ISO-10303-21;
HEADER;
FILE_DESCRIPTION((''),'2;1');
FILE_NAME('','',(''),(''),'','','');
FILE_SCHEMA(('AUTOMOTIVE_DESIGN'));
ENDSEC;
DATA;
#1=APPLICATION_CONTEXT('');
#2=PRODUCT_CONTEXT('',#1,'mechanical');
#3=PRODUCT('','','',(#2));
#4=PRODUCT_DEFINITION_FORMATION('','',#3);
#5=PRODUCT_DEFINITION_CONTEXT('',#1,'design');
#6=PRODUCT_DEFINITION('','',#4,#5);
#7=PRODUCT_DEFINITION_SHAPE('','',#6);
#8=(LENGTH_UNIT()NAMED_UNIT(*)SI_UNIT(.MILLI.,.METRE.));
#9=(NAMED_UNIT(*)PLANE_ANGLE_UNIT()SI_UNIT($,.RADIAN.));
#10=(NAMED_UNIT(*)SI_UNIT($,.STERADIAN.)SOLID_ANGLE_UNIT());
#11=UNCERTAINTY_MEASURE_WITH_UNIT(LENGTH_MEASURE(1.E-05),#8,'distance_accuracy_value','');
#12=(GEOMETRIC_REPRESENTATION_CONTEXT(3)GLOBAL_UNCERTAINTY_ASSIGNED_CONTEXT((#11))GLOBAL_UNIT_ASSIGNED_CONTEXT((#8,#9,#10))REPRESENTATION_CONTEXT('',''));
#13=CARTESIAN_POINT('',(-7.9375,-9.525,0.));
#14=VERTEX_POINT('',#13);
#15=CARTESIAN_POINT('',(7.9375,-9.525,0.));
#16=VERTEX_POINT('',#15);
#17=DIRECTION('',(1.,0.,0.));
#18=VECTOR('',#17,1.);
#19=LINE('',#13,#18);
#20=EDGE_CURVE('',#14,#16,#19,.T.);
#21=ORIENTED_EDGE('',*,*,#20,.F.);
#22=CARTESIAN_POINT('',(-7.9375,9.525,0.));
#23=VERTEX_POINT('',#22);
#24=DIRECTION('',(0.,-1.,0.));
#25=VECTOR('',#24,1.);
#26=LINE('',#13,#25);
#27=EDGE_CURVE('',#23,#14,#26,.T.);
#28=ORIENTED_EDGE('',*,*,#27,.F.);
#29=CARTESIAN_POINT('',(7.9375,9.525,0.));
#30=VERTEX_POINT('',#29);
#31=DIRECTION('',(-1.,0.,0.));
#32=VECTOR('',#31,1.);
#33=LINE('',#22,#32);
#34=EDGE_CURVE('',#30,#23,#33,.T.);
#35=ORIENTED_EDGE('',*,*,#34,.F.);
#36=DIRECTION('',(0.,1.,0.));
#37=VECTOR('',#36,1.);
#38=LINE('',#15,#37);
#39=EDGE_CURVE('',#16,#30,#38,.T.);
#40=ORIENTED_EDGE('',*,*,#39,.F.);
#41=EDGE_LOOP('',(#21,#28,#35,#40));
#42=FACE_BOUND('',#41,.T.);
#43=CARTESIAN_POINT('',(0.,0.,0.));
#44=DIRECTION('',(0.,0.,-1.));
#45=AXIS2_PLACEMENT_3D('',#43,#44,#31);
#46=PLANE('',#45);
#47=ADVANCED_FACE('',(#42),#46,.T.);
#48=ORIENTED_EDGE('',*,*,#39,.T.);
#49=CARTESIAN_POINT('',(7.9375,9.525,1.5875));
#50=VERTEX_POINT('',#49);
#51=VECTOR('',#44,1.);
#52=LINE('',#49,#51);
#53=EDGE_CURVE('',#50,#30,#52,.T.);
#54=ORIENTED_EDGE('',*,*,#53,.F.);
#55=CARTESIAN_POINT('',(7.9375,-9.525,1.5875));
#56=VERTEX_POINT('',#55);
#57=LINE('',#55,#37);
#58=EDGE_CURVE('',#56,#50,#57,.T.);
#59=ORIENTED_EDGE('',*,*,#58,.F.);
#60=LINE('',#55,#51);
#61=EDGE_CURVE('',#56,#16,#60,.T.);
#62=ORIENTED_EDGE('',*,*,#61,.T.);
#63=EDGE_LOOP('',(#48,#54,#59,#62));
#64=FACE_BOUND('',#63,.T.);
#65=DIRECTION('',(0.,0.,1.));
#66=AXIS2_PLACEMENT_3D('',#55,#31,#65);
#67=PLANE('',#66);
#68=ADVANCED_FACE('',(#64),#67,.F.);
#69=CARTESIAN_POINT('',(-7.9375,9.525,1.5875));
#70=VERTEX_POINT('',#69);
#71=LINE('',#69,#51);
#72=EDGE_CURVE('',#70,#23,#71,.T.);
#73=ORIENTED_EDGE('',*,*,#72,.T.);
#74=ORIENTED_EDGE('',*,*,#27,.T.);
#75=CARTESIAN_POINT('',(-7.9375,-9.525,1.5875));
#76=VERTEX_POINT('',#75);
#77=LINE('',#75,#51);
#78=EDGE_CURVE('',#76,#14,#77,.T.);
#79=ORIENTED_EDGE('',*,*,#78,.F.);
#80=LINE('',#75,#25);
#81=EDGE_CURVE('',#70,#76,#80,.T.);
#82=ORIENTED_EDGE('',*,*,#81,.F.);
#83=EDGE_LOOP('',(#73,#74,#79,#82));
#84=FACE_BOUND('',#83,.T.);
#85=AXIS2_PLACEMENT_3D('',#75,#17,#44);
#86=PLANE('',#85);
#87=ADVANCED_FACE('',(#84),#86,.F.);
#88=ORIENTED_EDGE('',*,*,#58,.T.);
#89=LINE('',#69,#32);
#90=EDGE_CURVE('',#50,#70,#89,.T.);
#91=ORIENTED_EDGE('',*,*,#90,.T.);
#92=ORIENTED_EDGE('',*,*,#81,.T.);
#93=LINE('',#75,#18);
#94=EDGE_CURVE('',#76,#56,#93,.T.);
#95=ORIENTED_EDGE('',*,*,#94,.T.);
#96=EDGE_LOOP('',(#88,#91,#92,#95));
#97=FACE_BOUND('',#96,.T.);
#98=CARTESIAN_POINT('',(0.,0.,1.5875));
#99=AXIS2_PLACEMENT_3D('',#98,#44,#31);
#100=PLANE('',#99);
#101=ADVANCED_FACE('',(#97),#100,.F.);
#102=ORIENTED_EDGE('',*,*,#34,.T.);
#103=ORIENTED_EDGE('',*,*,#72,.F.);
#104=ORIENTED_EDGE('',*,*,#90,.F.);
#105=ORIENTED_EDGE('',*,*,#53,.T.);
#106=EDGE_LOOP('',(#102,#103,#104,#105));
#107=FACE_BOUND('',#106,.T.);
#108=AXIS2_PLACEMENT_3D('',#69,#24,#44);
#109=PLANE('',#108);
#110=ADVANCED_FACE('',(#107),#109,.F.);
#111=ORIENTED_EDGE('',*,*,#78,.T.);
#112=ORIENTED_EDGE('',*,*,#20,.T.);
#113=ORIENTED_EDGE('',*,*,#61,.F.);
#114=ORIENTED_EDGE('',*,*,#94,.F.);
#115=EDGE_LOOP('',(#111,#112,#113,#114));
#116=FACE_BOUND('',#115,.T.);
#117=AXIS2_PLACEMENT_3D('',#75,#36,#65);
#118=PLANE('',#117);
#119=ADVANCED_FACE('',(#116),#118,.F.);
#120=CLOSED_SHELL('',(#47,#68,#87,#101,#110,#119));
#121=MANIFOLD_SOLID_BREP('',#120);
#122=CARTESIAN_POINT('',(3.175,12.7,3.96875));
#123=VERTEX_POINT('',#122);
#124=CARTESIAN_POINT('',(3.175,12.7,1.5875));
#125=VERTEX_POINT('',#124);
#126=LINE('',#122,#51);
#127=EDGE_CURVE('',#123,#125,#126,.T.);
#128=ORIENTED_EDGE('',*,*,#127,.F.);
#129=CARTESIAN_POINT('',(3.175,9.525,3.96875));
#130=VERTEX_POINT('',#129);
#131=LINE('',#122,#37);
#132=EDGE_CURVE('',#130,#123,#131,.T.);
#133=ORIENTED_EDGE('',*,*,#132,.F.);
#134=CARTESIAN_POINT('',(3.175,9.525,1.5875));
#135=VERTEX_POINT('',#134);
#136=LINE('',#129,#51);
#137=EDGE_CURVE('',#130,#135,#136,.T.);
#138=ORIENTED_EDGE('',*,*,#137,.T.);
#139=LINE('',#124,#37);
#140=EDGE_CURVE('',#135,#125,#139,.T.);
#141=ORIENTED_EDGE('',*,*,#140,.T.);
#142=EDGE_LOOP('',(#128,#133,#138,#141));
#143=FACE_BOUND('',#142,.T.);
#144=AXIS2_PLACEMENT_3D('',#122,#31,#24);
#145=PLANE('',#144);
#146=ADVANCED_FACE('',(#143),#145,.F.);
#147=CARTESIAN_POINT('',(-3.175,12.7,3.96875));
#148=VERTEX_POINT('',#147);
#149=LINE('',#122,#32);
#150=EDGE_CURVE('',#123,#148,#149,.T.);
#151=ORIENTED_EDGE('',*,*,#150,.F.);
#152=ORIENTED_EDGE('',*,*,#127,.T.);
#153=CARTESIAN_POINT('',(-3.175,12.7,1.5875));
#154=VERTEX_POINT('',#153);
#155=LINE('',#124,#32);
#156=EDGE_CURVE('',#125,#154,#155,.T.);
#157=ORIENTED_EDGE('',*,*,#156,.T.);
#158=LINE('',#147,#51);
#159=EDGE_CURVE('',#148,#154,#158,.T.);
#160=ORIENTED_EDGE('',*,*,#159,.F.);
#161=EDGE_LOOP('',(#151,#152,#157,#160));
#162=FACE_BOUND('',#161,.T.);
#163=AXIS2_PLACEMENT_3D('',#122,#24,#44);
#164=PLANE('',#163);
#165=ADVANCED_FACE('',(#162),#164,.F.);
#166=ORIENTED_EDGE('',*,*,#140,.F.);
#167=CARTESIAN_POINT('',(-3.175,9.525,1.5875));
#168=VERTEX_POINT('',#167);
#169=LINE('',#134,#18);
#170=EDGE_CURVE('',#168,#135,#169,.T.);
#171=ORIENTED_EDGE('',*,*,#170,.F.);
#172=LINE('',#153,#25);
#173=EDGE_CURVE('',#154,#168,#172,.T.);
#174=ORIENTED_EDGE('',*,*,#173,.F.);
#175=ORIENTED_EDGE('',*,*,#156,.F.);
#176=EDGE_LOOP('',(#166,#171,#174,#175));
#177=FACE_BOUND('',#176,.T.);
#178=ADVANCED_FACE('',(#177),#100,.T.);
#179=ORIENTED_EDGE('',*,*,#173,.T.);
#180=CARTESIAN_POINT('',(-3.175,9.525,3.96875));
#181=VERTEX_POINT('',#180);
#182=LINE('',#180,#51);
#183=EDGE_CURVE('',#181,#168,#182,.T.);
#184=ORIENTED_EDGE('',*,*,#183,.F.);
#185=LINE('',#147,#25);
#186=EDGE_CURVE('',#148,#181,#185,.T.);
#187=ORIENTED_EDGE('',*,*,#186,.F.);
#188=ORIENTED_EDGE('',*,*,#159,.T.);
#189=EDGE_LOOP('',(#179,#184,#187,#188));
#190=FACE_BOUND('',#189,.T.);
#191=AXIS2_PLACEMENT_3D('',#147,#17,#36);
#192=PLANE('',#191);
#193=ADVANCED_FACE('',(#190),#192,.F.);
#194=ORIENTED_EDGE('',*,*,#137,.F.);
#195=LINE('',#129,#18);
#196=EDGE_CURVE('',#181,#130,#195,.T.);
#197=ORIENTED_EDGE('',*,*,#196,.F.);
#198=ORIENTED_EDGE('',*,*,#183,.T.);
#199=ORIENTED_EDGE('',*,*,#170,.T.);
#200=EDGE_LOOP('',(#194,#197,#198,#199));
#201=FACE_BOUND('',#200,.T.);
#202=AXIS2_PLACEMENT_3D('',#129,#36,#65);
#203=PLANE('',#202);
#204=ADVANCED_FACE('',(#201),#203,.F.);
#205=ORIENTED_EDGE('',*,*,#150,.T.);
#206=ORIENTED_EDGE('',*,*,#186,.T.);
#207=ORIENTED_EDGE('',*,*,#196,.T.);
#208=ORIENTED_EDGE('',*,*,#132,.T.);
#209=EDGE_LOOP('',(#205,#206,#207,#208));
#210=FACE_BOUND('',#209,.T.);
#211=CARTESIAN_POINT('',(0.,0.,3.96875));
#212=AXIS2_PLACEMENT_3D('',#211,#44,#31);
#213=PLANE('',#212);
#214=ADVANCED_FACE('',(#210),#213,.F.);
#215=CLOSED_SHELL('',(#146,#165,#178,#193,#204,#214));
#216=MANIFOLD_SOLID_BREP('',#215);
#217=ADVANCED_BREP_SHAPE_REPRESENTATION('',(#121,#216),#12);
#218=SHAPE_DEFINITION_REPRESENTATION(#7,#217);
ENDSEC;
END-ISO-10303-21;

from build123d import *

# Parameters (mm, degrees)
SKETCH1_W           = 15.875
SKETCH1_H           = 19.05
BOSS_EXTRUDE1_DEPTH = 1.5875
SKETCH3_W           = 6.35
SKETCH3_H           = 3.175
BOSS_EXTRUDE3_DEPTH = 2.38125


with BuildPart() as part:
    # Sketch1 → Boss-Extrude1 (new body)
    with BuildSketch(Plane.XY):
        Rectangle(SKETCH1_W, SKETCH1_H)
    extrude(amount=BOSS_EXTRUDE1_DEPTH)


with BuildPart() as body_2:
    # Sketch3 → Boss-Extrude3 (new body)
    with BuildSketch(Plane.XY.offset(1.5875)):
        with Locations((0, 11.1125)):
            Rectangle(SKETCH3_W, SKETCH3_H)
    extrude(amount=BOSS_EXTRUDE3_DEPTH)


solid = Compound([part.part, body_2.part])
